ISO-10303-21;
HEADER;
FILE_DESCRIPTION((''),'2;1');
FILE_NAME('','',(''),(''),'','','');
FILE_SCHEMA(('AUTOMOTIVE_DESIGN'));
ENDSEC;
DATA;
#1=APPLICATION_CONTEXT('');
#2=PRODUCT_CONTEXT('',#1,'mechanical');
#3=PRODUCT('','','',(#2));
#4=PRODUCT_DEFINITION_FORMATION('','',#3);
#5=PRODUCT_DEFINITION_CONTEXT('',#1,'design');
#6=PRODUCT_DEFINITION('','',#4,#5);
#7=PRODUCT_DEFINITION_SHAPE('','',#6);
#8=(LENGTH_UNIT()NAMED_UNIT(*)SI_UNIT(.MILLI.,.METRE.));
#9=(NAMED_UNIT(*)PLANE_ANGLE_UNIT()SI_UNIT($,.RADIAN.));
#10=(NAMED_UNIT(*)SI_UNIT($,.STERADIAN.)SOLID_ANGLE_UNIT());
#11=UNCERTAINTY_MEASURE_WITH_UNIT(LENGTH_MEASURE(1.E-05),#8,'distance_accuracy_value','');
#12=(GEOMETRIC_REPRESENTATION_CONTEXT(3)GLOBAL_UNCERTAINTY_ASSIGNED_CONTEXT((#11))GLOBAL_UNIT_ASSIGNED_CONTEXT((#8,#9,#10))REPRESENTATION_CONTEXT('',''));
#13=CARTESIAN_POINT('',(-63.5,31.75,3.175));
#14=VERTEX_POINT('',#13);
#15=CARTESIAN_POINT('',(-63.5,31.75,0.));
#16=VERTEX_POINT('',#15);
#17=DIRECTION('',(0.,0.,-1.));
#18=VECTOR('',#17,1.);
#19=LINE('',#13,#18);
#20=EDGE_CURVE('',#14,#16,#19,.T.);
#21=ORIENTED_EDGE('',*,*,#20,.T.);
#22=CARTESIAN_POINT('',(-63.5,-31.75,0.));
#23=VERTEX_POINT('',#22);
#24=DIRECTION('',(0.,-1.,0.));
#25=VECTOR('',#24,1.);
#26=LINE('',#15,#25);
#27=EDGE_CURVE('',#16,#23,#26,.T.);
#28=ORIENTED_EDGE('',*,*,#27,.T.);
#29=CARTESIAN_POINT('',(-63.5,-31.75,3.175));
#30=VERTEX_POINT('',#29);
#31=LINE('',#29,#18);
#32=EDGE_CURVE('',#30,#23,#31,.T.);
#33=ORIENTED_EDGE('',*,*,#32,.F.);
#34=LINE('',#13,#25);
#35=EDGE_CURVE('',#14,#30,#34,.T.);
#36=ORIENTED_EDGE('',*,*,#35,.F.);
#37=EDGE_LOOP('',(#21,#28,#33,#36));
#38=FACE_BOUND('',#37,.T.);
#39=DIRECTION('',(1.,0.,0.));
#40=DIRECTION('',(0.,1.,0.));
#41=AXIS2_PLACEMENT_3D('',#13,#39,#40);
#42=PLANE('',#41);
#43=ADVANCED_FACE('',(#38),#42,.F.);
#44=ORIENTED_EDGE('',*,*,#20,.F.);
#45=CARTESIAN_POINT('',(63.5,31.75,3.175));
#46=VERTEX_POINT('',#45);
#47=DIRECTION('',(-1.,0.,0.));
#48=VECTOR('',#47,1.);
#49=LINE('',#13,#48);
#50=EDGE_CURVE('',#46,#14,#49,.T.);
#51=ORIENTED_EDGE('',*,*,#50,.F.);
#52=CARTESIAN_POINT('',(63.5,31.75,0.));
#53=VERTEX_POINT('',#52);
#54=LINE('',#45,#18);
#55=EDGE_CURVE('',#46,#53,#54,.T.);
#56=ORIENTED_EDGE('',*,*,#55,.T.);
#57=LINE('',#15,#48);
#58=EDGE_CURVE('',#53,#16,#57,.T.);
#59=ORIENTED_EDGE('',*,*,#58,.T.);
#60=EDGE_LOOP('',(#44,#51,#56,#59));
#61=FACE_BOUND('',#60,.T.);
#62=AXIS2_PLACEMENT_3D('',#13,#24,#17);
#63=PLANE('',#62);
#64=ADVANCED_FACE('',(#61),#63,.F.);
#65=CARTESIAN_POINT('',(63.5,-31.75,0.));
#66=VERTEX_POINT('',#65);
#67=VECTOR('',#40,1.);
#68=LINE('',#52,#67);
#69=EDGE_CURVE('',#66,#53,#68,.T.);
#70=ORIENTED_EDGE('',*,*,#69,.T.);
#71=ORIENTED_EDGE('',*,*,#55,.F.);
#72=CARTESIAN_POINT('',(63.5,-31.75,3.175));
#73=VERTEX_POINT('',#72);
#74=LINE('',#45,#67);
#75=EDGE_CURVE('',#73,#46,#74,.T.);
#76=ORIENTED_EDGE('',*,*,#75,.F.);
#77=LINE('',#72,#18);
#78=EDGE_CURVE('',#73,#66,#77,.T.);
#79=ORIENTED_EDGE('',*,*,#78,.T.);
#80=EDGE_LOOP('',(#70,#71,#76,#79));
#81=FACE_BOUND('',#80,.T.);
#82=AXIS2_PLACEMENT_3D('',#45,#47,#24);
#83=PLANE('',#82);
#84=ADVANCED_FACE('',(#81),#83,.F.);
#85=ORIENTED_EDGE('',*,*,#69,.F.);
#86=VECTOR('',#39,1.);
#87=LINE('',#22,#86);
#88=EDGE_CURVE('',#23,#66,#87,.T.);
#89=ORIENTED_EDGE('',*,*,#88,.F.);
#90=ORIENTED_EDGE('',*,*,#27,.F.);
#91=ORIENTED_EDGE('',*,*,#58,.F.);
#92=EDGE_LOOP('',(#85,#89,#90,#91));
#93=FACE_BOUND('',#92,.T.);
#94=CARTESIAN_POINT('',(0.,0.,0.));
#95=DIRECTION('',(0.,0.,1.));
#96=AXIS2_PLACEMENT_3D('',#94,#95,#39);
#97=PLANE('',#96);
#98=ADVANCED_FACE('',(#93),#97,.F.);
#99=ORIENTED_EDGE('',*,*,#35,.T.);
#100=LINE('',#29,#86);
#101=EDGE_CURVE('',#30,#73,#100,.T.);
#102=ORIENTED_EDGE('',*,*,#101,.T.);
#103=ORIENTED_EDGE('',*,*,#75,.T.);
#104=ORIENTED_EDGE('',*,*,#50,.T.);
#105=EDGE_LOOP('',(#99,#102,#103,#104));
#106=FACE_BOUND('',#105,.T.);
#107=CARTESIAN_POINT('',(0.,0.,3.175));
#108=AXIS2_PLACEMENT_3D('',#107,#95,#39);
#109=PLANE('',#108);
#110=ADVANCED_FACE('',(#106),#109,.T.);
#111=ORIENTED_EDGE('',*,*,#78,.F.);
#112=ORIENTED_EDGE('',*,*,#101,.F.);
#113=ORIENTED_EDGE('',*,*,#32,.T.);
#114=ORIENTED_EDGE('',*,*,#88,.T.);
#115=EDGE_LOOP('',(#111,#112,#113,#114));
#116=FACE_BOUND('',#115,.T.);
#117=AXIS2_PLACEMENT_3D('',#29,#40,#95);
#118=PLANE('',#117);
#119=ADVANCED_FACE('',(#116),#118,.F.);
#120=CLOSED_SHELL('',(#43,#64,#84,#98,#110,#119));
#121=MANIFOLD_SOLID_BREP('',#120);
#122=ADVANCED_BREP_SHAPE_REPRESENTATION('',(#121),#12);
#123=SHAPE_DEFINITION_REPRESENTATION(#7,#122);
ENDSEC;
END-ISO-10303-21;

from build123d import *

# Parameters (mm, degrees)
ESQUISSE1_W        = 127
ESQUISSE1_H        = 63.5
BOSS_EXTRU_1_DEPTH = 3.175


with BuildPart() as part:
    # Esquisse1 → Boss.-Extru.1 (new body)
    with BuildSketch(Plane.XY):
        Rectangle(ESQUISSE1_W, ESQUISSE1_H)
    extrude(amount=BOSS_EXTRU_1_DEPTH)


solid = part.part
